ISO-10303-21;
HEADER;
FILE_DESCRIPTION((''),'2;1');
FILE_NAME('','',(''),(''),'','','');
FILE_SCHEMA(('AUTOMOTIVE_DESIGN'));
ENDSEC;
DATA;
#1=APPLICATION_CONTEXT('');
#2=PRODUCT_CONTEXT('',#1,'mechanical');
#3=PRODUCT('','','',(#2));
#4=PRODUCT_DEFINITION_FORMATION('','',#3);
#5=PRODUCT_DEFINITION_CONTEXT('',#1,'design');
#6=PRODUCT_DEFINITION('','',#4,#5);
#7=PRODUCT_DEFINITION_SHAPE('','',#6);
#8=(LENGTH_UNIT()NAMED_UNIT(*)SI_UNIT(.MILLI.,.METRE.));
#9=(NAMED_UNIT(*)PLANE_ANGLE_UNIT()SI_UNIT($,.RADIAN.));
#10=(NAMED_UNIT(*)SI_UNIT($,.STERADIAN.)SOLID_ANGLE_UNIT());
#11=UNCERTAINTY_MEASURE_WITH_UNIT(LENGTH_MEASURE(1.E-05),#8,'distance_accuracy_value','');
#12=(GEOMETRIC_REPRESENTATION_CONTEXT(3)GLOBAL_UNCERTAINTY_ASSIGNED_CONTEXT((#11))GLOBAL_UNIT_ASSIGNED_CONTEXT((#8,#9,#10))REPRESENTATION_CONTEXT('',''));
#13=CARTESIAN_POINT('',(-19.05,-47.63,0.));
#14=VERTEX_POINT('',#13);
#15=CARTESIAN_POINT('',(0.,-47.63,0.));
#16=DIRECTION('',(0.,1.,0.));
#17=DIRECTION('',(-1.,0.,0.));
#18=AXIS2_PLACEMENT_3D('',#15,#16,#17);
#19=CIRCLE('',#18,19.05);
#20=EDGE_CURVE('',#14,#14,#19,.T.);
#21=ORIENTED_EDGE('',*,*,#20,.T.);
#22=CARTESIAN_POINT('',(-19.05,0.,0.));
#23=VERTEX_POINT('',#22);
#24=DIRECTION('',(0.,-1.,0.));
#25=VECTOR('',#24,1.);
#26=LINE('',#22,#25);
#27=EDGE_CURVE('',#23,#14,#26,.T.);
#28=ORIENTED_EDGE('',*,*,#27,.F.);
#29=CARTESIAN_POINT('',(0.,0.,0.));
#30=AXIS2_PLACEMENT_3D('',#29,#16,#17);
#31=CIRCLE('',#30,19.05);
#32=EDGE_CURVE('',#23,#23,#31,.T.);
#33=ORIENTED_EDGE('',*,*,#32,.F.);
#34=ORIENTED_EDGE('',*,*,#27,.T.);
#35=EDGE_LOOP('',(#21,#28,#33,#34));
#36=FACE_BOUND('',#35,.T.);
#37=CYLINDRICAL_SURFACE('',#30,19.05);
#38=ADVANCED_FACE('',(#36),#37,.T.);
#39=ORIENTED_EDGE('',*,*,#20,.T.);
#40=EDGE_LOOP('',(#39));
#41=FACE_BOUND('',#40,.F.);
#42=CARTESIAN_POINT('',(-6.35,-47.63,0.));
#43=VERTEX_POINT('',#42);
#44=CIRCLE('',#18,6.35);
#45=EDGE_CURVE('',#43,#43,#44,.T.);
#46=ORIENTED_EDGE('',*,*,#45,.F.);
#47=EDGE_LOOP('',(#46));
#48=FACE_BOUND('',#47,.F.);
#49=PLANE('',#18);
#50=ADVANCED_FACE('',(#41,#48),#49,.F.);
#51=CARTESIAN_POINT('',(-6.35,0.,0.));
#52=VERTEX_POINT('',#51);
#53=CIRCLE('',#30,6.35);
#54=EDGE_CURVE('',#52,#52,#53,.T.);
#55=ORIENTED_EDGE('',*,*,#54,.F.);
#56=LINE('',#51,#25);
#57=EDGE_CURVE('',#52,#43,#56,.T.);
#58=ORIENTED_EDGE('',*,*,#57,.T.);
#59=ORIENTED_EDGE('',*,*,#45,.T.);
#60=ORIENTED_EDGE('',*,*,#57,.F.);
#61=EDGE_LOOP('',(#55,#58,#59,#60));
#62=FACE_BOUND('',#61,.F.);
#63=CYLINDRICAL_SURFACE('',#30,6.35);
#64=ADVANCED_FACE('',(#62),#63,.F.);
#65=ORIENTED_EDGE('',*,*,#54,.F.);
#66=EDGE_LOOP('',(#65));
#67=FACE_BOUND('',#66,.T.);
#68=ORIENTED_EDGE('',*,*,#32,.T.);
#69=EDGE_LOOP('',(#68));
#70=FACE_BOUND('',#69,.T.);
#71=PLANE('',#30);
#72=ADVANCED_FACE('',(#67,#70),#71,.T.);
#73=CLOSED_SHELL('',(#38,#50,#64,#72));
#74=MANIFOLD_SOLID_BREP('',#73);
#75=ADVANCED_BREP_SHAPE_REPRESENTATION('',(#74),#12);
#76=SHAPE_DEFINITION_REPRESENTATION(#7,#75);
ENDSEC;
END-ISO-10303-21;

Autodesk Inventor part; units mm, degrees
ref_plane "YZ Plane" through (0, 0, 0) normal (1, 0, 0) x (0, 1, 0)
ref_plane "XZ Plane" through (0, 0, 0) normal (0, 1, 0) x (-1, 0, 0)
sketch "Esboço1" plane through (0, 0, 0) normal (0, 1, 0) x (-1, 0, 0)
  circle A0 centre (0, 0) radius 19.05
  circle A1 centre (0, 0) radius 6.35
  dimension "d0" = 38.1
  dimension "d1" = 12.7
extrude "Extrusão1" add sketch "Esboço1" against normal blind 47.63
ref_plane "Plano de trabalho1" through (0, 0, 31.25) normal (0, 0, 1) x (1, 0, 0)
sketch "Esboço2" plane through (0, 0, 31.25) normal (0, 0, 1) x (1, 0, 0)
  line L0 (19.05, 0) -> (-19.05, 0) projected
  point P0 (0, 0)
sketch "Esboço3" plane through (0, 0, 0) normal (0, 0, 1) x (1, 0, 0)
  line L0 (-19.05, 0) -> (-19.05, -47.63) projected
  line L1 (-6.35, -47.63) -> (-6.35, 0) projected
  line L2 (19, -40) -> (10.57, -40)
  line L3 (-19, -40) -> (-10.57, -40)
  line L4 (-12.8553, -1.992) -> (-12.8553, -20.412)
  line L5 (0, 0) -> (0, -38.1)
  circle A0 centre (0, -38.1) radius 9.53
  dimension "d20" = 8.43
  dimension "d21" = 8.43
  dimension "d22" = 18.42
  dimension "d23" = 38.1
  dimension "d24" = 9.53
properties part number "peca5"
